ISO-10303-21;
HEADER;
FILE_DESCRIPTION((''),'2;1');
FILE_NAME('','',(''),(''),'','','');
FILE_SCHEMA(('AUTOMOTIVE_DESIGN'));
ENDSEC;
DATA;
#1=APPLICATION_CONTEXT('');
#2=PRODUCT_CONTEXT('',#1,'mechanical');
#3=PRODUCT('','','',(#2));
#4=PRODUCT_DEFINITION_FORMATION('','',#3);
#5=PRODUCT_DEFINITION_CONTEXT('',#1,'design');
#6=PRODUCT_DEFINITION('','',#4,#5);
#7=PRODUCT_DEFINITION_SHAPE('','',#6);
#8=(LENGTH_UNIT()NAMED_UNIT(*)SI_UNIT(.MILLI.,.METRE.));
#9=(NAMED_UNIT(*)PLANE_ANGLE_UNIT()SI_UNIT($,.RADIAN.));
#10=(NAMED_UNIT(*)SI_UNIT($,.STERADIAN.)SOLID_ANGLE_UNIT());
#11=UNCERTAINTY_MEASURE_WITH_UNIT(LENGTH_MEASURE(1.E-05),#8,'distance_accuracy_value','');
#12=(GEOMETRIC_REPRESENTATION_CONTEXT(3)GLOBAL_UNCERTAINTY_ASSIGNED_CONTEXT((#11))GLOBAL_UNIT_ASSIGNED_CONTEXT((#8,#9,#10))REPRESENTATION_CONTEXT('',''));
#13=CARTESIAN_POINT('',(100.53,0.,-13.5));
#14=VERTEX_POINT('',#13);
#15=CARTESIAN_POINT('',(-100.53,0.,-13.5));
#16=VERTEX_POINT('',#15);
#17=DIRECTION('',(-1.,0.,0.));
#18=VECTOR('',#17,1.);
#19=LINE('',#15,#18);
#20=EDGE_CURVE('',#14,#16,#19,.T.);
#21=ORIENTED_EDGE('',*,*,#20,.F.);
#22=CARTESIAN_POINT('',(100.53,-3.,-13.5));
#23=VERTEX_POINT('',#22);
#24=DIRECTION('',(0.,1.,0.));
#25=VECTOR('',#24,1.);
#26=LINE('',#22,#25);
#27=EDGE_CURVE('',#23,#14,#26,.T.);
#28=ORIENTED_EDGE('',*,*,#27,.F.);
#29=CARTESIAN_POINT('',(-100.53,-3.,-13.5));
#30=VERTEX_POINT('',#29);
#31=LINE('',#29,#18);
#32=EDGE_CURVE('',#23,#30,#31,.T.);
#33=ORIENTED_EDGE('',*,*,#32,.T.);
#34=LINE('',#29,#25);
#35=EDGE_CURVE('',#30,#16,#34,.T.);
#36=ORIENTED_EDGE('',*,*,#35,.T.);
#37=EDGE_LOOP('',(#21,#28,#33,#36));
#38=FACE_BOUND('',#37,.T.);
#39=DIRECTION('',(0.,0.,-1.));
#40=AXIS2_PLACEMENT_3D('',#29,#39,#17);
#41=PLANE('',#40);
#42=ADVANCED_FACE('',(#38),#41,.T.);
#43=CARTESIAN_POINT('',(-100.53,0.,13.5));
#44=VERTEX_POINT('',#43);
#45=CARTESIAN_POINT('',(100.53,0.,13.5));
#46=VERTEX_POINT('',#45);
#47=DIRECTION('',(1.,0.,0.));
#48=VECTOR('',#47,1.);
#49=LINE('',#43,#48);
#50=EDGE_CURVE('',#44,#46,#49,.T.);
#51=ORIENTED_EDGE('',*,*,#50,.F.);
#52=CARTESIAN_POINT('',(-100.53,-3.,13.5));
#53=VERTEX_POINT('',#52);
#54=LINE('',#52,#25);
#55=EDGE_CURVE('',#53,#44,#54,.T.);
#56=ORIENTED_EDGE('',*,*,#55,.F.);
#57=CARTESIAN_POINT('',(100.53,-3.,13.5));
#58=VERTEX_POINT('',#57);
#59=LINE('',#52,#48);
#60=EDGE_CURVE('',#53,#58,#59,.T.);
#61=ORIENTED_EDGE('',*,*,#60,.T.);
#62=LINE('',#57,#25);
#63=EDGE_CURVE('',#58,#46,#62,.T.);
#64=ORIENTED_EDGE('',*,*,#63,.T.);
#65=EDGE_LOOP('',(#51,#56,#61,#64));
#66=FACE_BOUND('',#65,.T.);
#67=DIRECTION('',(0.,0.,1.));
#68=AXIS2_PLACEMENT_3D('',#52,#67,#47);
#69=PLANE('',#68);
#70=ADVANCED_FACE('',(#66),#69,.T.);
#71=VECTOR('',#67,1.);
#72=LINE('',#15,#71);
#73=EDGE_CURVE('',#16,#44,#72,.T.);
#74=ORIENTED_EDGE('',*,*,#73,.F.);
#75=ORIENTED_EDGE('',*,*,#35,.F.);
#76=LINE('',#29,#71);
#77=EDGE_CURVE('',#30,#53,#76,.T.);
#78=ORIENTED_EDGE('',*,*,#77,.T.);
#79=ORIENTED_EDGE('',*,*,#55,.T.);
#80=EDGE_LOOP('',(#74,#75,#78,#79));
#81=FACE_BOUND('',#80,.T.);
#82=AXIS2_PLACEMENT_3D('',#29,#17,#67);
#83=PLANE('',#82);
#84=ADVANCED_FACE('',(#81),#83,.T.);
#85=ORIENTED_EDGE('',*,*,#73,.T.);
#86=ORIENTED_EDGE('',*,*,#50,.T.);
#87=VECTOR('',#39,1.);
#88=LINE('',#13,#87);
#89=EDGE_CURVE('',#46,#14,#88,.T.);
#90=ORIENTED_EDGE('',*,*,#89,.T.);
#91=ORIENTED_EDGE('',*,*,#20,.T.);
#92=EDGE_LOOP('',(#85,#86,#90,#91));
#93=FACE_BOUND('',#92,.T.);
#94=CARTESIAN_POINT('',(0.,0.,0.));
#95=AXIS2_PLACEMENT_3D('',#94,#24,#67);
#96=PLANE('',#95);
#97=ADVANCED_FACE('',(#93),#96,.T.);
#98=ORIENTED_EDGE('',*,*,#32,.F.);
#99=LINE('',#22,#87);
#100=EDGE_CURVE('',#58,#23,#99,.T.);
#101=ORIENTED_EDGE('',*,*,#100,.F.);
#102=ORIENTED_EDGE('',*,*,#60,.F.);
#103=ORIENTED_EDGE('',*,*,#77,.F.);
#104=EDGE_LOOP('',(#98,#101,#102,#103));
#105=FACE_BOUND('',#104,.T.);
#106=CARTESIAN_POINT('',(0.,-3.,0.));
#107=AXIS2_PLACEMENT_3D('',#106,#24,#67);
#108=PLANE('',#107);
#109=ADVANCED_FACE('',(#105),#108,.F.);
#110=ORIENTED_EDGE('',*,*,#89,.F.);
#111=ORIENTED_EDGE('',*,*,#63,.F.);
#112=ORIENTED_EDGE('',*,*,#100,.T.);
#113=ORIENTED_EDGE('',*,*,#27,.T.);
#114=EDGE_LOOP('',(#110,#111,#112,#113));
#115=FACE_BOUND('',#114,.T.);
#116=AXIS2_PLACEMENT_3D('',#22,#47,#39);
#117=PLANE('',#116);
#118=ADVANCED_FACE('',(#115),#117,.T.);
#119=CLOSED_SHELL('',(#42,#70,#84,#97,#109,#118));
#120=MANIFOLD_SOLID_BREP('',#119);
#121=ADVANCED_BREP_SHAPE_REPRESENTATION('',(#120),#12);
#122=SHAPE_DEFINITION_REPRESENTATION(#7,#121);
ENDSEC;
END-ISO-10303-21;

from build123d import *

# Parameters (mm, degrees)
SKETCH1_W           = 201.06
SKETCH1_H           = 27
BOSS_EXTRUDE1_DEPTH = 3


with BuildPart() as part:
    # Sketch1 → Boss-Extrude1 (new body)
    with BuildSketch(Plane(origin=(0, 0, 0), x_dir=(1, 0, 0), z_dir=(0, 1, 0))):
        Rectangle(SKETCH1_W, SKETCH1_H)
    extrude(amount=-BOSS_EXTRUDE1_DEPTH)


solid = part.part
